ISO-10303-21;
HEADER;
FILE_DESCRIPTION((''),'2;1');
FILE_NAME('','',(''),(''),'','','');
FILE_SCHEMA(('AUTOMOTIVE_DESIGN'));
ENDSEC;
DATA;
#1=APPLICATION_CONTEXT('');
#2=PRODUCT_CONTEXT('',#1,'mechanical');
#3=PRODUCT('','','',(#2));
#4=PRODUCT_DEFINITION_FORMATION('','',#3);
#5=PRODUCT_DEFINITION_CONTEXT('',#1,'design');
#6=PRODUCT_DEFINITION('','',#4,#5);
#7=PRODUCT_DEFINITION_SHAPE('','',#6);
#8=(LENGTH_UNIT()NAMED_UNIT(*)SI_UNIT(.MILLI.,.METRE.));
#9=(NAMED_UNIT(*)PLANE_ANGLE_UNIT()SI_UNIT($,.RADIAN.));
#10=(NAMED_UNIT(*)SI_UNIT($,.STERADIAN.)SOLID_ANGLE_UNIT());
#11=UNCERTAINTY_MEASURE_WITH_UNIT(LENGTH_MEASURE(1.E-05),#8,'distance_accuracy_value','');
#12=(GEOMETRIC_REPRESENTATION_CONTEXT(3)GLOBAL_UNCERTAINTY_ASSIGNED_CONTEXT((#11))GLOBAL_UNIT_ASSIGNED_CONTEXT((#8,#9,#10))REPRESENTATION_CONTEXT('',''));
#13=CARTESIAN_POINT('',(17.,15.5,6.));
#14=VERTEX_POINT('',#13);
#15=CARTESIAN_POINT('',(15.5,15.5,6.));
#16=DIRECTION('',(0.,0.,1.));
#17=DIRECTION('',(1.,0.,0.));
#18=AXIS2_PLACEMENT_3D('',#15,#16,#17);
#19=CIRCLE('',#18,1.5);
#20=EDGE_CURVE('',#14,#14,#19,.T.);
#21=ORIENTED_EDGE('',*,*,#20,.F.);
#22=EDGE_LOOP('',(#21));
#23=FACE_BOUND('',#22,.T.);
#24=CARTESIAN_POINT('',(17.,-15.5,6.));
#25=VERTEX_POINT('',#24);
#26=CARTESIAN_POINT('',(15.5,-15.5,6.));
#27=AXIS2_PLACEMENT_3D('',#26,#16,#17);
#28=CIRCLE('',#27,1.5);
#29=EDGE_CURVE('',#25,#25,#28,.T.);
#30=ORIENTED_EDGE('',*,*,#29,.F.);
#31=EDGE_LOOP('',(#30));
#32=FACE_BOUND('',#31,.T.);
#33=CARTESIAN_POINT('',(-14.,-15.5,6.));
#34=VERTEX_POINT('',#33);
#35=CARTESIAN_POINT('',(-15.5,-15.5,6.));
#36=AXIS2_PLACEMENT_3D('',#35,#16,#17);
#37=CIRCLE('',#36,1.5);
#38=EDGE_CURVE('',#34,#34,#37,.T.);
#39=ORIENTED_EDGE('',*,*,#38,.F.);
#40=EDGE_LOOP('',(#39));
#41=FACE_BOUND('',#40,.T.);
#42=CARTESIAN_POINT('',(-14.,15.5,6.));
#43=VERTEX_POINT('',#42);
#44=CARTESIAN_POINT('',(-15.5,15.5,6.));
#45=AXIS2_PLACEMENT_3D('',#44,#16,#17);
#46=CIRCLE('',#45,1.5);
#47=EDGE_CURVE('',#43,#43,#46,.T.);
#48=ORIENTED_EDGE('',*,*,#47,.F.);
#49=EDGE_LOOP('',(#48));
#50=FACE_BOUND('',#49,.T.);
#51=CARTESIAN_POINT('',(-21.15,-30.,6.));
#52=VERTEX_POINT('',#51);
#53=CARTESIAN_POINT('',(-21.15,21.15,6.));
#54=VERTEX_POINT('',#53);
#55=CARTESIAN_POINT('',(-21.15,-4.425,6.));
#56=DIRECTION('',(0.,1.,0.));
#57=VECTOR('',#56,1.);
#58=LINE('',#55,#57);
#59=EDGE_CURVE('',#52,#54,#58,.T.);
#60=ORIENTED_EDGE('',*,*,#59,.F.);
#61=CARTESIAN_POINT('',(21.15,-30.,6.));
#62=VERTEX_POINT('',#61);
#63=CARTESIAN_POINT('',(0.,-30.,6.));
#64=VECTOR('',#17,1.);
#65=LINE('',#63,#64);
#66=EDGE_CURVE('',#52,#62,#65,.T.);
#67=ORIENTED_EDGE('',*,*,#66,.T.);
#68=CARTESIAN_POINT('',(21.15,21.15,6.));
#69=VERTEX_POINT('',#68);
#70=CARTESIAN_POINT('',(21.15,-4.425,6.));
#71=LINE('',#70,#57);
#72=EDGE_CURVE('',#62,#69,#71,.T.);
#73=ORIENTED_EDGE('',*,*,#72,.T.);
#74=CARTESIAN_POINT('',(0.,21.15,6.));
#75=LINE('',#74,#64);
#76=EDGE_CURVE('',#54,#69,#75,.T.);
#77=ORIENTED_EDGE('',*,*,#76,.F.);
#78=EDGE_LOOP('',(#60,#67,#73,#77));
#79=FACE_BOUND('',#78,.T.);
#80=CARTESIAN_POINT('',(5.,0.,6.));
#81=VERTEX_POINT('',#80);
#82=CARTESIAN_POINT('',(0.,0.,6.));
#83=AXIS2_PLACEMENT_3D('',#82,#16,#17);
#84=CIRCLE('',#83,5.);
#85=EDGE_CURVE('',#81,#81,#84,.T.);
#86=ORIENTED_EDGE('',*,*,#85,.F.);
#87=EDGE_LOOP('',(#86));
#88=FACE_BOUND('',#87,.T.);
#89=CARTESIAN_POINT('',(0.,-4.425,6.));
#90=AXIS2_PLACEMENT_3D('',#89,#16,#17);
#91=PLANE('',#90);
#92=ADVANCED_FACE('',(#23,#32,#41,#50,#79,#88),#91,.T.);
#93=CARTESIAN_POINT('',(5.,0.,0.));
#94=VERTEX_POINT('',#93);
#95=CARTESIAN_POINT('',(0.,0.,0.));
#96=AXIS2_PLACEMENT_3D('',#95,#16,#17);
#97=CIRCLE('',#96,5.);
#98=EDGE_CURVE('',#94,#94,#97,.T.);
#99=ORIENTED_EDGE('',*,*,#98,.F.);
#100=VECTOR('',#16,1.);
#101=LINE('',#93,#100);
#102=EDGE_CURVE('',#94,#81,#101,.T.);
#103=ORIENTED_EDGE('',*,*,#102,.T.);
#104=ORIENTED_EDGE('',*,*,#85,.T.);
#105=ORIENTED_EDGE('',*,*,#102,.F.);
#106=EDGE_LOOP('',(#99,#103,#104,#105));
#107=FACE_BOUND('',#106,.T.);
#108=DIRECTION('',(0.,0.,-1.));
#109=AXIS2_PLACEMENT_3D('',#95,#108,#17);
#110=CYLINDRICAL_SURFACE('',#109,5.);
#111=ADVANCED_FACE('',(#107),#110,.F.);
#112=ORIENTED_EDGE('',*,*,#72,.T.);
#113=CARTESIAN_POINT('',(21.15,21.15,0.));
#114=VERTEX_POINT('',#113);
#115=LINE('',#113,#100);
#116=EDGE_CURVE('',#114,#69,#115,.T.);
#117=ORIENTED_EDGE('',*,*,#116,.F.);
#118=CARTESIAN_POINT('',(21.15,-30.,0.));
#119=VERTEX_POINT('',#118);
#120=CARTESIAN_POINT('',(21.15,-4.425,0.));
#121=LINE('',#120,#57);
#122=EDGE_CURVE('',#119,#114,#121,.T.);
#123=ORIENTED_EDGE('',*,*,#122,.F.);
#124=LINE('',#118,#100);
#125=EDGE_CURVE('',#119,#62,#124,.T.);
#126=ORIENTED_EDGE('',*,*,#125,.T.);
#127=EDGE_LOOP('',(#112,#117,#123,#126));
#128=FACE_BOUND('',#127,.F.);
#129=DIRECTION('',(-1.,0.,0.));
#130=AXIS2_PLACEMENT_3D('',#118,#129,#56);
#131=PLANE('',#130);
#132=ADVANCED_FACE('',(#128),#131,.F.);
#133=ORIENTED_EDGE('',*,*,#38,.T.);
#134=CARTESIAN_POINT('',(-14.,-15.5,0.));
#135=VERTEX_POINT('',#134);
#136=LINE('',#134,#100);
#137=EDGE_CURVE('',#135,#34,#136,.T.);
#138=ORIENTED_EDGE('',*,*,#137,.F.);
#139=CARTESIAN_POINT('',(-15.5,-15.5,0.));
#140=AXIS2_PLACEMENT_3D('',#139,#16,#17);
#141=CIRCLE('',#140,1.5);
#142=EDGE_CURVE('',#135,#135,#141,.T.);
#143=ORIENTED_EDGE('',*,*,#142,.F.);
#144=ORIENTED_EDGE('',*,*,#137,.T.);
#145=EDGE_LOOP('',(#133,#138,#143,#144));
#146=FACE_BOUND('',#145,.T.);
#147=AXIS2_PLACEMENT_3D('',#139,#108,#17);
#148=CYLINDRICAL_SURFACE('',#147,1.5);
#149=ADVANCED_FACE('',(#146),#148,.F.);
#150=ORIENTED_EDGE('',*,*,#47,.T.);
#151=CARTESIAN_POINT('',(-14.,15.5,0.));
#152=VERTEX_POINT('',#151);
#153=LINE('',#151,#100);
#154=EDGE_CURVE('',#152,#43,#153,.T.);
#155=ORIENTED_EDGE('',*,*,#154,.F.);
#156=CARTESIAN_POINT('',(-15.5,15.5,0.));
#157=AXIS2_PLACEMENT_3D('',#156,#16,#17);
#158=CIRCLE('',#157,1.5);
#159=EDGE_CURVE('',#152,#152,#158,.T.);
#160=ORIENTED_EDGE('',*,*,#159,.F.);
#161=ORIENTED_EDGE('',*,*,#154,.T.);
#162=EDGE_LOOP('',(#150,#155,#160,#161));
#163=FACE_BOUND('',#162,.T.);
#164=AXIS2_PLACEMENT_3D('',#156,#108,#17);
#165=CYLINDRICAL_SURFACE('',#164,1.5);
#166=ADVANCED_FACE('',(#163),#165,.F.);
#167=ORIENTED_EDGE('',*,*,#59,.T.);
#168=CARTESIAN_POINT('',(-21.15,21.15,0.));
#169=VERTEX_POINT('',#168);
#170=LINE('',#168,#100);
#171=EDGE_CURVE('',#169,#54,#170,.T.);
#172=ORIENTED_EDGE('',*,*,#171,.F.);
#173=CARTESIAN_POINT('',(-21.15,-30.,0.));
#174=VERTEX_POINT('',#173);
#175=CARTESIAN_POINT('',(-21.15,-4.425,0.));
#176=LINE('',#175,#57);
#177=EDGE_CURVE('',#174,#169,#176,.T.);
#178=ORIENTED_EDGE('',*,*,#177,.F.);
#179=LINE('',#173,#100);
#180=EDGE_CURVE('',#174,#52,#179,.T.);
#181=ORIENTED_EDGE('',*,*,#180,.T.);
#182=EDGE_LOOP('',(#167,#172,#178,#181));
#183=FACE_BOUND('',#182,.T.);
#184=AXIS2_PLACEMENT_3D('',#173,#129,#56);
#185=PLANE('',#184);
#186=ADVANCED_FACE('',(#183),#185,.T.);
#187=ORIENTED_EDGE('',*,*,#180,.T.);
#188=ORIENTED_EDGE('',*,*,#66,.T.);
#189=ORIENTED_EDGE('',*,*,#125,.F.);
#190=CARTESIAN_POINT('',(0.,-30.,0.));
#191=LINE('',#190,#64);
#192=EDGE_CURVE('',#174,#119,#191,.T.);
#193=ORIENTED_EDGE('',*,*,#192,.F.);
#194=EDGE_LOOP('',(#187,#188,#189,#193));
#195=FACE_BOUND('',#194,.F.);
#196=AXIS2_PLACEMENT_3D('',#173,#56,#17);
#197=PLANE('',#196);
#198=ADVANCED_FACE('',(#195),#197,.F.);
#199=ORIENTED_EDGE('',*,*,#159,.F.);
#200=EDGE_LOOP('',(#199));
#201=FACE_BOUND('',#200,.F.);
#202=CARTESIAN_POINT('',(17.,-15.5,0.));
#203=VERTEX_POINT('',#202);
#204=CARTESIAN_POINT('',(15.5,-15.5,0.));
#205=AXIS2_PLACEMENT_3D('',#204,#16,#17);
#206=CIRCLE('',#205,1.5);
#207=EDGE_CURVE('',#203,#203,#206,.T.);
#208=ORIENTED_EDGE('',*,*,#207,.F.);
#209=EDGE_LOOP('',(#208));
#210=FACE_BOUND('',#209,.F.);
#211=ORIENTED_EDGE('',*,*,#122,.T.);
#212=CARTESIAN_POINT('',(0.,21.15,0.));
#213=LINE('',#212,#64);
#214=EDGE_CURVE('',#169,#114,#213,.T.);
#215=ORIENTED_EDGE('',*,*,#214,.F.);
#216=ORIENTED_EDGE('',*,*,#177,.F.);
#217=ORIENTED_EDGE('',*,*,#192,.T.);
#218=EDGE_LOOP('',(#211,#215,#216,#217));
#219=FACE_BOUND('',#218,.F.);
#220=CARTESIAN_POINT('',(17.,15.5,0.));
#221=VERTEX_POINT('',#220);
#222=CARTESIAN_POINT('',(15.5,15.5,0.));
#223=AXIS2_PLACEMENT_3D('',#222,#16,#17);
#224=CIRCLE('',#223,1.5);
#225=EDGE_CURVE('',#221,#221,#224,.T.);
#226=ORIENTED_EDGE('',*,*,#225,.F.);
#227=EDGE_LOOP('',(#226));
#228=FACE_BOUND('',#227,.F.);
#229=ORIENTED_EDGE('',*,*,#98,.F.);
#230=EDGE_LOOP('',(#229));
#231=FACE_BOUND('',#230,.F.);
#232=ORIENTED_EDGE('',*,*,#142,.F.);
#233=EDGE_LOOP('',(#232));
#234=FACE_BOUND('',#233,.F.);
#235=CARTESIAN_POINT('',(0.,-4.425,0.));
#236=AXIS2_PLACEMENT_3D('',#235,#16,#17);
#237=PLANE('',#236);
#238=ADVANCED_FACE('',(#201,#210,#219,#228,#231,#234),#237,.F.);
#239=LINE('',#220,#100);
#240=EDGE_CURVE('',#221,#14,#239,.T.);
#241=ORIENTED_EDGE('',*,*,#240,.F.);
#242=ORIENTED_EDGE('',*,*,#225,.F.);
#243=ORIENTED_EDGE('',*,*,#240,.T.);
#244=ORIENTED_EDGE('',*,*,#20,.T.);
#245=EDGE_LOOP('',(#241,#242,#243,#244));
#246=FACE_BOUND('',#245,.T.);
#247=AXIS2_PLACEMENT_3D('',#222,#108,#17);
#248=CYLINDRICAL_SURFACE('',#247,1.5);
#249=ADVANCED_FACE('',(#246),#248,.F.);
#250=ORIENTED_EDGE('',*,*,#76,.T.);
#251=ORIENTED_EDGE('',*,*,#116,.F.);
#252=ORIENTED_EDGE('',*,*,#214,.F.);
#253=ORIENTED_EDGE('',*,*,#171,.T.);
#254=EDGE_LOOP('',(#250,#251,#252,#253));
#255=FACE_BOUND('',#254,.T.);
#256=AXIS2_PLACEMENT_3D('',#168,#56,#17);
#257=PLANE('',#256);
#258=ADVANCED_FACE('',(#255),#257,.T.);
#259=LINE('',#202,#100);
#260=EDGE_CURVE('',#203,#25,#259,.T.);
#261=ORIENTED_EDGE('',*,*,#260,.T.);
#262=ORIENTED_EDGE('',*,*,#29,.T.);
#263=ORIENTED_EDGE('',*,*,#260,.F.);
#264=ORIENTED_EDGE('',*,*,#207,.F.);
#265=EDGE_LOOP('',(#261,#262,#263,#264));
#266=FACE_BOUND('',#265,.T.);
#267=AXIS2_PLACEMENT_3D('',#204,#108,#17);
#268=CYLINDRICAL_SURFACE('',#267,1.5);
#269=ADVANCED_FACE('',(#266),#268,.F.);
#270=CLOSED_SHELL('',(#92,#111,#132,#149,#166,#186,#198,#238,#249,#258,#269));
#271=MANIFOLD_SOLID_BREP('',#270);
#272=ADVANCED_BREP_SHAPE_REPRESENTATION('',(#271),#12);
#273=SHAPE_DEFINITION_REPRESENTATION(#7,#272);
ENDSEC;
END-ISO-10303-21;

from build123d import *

# Parameters (mm, degrees)
F0_W     = 42.3
F0_H     = 51.15
F0_R     = 1.5
F0_R_2   = 5
F1_DEPTH = 6


with BuildPart() as f1:
    # F0 (on Top) → F1 (new body)
    with BuildSketch(Plane.XY):
        with Locations((0, -4.425)):
            Rectangle(F0_W, F0_H)
        with Locations((-15.5, -15.5)):
            Circle(F0_R, mode=Mode.SUBTRACT)
        with Locations((15.5, -15.5)):
            Circle(F0_R, mode=Mode.SUBTRACT)
        with Locations((-15.5, 15.5)):
            Circle(F0_R, mode=Mode.SUBTRACT)
        Circle(F0_R_2, mode=Mode.SUBTRACT)
        with Locations((15.5, 15.5)):
            Circle(F0_R, mode=Mode.SUBTRACT)
    extrude(amount=F1_DEPTH)


solid = f1.part
